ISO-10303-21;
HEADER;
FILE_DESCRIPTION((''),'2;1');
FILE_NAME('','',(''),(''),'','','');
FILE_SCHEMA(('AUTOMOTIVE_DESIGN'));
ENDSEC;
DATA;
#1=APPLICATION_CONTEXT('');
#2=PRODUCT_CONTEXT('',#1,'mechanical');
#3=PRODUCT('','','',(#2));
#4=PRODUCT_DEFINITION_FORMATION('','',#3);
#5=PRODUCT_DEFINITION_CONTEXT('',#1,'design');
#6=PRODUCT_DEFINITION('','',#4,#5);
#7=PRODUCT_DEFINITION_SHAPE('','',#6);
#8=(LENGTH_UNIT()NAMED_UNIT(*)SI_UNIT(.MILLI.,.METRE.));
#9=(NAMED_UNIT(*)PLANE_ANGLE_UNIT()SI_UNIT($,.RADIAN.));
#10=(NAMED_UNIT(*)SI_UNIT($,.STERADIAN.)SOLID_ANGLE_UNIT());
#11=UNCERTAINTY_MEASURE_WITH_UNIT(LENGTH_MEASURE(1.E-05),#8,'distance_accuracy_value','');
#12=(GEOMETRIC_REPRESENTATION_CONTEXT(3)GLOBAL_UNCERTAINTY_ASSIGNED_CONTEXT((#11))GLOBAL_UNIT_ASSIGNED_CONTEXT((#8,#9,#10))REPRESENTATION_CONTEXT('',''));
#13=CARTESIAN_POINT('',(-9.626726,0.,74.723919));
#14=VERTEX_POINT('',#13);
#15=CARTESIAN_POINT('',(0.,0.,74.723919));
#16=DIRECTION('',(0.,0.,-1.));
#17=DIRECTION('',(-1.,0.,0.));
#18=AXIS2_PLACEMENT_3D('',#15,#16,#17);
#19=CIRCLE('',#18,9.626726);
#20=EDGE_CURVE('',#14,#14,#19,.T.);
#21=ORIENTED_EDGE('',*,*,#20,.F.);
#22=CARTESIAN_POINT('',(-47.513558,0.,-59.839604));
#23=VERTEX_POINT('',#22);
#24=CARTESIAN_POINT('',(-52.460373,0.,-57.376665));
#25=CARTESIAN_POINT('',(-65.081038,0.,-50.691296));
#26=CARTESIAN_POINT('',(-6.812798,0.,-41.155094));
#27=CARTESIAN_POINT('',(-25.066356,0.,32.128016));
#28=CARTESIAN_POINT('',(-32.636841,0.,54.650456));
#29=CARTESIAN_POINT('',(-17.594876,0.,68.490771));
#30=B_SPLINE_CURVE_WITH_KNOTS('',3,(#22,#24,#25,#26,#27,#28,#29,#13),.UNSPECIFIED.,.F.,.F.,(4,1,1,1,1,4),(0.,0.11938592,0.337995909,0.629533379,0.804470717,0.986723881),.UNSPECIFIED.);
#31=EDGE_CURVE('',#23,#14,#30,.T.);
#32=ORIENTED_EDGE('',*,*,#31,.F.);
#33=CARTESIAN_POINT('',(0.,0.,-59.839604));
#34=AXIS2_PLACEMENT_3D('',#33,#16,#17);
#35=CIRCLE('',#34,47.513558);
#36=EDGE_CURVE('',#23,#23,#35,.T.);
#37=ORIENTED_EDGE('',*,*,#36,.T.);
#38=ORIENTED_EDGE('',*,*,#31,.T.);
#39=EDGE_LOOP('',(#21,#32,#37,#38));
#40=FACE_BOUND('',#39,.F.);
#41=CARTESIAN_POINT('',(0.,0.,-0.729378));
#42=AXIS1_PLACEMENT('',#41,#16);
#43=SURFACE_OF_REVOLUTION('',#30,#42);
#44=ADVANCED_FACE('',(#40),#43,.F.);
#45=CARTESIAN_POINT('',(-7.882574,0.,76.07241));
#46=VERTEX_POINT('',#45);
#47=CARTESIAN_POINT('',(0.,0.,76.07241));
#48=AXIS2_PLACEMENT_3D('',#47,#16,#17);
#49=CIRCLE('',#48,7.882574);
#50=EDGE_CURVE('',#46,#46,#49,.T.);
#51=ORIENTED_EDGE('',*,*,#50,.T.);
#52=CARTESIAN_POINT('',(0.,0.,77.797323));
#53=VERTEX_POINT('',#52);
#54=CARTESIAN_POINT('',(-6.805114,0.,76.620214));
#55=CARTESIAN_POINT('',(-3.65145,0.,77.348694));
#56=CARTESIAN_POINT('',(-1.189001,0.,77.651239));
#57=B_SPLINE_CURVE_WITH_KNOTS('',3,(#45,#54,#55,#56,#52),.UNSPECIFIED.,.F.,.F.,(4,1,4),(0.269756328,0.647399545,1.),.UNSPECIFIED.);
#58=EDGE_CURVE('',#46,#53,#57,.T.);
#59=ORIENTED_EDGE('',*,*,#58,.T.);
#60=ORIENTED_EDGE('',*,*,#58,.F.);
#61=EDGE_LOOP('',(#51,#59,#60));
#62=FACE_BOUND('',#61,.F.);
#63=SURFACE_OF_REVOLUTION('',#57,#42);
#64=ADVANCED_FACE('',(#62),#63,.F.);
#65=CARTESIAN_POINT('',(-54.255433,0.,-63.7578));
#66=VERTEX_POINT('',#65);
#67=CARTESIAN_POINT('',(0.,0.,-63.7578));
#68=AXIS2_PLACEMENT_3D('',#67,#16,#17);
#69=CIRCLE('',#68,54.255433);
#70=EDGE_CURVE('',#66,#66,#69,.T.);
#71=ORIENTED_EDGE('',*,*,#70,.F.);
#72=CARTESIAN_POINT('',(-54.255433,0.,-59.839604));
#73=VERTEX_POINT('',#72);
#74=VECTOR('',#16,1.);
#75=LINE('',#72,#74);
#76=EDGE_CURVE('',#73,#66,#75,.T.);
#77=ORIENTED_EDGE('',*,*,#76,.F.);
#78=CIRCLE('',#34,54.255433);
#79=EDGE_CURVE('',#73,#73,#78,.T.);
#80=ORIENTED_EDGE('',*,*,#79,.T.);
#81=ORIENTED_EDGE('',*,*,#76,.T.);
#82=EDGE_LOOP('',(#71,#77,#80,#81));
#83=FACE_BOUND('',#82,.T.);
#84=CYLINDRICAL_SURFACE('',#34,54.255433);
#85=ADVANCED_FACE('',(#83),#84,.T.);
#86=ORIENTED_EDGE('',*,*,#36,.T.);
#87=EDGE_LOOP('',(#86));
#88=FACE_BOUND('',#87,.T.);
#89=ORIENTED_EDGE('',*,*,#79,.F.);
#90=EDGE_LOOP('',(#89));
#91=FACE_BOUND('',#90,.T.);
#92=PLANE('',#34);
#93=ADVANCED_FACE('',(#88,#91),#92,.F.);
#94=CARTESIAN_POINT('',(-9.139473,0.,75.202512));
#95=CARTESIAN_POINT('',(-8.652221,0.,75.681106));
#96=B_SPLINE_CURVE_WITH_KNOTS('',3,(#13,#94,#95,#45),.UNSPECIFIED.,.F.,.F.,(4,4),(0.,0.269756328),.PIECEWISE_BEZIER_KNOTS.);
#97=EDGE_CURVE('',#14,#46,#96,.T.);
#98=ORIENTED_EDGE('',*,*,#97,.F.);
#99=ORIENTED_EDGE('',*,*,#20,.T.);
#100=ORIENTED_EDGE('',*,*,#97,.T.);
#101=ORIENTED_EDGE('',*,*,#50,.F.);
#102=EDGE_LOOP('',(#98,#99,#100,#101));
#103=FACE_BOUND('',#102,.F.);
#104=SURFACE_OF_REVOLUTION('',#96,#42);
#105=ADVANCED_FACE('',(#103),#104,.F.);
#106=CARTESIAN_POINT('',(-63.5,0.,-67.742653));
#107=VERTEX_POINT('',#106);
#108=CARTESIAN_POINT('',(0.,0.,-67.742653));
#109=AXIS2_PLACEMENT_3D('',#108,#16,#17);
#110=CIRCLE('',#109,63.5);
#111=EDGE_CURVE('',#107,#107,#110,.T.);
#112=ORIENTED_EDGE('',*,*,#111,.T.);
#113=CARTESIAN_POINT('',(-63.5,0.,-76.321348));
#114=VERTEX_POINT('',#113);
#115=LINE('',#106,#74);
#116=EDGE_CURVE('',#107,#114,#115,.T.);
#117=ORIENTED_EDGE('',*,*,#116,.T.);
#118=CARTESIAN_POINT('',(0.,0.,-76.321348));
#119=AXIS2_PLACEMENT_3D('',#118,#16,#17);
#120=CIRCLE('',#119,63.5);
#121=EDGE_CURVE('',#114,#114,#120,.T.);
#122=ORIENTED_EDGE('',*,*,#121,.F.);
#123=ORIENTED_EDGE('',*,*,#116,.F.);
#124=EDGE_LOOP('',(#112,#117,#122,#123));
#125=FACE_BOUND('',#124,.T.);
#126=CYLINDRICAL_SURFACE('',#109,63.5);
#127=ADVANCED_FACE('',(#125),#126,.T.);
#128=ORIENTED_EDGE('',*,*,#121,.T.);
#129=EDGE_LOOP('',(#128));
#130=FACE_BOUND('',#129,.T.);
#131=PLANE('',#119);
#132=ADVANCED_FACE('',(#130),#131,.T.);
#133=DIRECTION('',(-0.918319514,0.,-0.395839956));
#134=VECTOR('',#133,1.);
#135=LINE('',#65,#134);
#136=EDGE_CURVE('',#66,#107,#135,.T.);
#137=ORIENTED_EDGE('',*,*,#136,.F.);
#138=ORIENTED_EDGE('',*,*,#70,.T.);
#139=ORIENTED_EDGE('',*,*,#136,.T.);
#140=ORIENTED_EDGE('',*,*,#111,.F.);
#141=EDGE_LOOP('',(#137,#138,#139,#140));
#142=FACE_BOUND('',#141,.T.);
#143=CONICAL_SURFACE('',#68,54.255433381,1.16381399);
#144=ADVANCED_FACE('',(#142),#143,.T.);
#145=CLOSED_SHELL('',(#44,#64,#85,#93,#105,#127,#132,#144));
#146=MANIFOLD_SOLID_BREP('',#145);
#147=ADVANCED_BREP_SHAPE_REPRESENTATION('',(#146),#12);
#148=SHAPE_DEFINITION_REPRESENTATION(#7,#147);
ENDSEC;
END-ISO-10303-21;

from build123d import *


with BuildPart() as f2:
    # F0 (on Front) → F2 (revolve)
    with BuildSketch(Plane.XZ):
        with BuildLine():
            Line((-63.5, -76.3213481848), (0, -76.3213481848))
            Line((0, -76.3213481848), (0, 74.756179786))
            Line((0, 74.756179786), (0, 76.0724103248))
            Line((0, 76.0724103248), (0, 77.7973234653))
            add(Edge.make_bspline(
                [(-7.8825740805, 76.0724103248), (-6.805113539, 76.6202139713), (-3.6514500952, 77.3486944949), (-1.1890011989, 77.6512389319), (0, 77.7973234653)],
                knots=[0.2697563285, 0.2697563285, 0.2697563285, 0.2697563285, 0.6473995451, 1, 1, 1, 1], degree=3))
            add(Edge.make_bspline(
                [(-9.6267255377, 74.7239187741), (-9.0462905127, 75.1779685937), (-8.4643000681, 75.6276208411), (-7.8825740805, 76.0724103248)],
                knots=[0.9867238809, 0.9867238809, 0.9867238809, 0.9867238809, 1, 1, 1, 1], degree=3))
            add(Edge.make_bspline(
                [(-47.5135579507, -59.8396037567), (-52.4603729508, -57.3766654265), (-65.0810376506, -50.6912962323), (-6.8127982596, -41.1550935107), (-25.0663563597, 32.1280156358), (-32.6368414694, 54.6504563179), (-17.5948764129, 68.4907706851), (-9.6267255377, 74.7239187741)],
                knots=[0, 0, 0, 0, 0.1193859203, 0.3379959093, 0.6295333791, 0.8044707171, 0.9867238809, 0.9867238809, 0.9867238809, 0.9867238809], degree=3))
            Line((-47.5135579507, -59.8396037567), (-54.2554333806, -59.8396037567))
            Line((-54.2554333806, -59.8396037567), (-54.2554333806, -63.7577995658))
            Line((-54.2554333806, -63.7577995658), (-63.5, -67.7426531911))
            Line((-63.5, -67.7426531911), (-63.5, -76.3213481848))
        make_face()
        with BuildLine():
            add(Edge.make_bspline(
                [(-9.6267255377, 74.7239187741), (-9.0462905127, 75.1779685937), (-8.4643000681, 75.6276208411), (-7.8825740805, 76.0724103248)],
                knots=[0.9867238809, 0.9867238809, 0.9867238809, 0.9867238809, 1, 1, 1, 1], degree=3))
            add(Edge.make_bspline(
                [(-9.6267255377, 74.7239187741), (-9.1394730853, 75.2025122858), (-8.6522206329, 75.6811057974), (-7.8825740805, 76.0724103248)],
                knots=[0, 0, 0, 0, 0.2697563285, 0.2697563285, 0.2697563285, 0.2697563285], degree=3))
        make_face()
    revolve(axis=Axis((0, 0, -0.7293783128), (0, 0, -1)))


solid = f2.part
